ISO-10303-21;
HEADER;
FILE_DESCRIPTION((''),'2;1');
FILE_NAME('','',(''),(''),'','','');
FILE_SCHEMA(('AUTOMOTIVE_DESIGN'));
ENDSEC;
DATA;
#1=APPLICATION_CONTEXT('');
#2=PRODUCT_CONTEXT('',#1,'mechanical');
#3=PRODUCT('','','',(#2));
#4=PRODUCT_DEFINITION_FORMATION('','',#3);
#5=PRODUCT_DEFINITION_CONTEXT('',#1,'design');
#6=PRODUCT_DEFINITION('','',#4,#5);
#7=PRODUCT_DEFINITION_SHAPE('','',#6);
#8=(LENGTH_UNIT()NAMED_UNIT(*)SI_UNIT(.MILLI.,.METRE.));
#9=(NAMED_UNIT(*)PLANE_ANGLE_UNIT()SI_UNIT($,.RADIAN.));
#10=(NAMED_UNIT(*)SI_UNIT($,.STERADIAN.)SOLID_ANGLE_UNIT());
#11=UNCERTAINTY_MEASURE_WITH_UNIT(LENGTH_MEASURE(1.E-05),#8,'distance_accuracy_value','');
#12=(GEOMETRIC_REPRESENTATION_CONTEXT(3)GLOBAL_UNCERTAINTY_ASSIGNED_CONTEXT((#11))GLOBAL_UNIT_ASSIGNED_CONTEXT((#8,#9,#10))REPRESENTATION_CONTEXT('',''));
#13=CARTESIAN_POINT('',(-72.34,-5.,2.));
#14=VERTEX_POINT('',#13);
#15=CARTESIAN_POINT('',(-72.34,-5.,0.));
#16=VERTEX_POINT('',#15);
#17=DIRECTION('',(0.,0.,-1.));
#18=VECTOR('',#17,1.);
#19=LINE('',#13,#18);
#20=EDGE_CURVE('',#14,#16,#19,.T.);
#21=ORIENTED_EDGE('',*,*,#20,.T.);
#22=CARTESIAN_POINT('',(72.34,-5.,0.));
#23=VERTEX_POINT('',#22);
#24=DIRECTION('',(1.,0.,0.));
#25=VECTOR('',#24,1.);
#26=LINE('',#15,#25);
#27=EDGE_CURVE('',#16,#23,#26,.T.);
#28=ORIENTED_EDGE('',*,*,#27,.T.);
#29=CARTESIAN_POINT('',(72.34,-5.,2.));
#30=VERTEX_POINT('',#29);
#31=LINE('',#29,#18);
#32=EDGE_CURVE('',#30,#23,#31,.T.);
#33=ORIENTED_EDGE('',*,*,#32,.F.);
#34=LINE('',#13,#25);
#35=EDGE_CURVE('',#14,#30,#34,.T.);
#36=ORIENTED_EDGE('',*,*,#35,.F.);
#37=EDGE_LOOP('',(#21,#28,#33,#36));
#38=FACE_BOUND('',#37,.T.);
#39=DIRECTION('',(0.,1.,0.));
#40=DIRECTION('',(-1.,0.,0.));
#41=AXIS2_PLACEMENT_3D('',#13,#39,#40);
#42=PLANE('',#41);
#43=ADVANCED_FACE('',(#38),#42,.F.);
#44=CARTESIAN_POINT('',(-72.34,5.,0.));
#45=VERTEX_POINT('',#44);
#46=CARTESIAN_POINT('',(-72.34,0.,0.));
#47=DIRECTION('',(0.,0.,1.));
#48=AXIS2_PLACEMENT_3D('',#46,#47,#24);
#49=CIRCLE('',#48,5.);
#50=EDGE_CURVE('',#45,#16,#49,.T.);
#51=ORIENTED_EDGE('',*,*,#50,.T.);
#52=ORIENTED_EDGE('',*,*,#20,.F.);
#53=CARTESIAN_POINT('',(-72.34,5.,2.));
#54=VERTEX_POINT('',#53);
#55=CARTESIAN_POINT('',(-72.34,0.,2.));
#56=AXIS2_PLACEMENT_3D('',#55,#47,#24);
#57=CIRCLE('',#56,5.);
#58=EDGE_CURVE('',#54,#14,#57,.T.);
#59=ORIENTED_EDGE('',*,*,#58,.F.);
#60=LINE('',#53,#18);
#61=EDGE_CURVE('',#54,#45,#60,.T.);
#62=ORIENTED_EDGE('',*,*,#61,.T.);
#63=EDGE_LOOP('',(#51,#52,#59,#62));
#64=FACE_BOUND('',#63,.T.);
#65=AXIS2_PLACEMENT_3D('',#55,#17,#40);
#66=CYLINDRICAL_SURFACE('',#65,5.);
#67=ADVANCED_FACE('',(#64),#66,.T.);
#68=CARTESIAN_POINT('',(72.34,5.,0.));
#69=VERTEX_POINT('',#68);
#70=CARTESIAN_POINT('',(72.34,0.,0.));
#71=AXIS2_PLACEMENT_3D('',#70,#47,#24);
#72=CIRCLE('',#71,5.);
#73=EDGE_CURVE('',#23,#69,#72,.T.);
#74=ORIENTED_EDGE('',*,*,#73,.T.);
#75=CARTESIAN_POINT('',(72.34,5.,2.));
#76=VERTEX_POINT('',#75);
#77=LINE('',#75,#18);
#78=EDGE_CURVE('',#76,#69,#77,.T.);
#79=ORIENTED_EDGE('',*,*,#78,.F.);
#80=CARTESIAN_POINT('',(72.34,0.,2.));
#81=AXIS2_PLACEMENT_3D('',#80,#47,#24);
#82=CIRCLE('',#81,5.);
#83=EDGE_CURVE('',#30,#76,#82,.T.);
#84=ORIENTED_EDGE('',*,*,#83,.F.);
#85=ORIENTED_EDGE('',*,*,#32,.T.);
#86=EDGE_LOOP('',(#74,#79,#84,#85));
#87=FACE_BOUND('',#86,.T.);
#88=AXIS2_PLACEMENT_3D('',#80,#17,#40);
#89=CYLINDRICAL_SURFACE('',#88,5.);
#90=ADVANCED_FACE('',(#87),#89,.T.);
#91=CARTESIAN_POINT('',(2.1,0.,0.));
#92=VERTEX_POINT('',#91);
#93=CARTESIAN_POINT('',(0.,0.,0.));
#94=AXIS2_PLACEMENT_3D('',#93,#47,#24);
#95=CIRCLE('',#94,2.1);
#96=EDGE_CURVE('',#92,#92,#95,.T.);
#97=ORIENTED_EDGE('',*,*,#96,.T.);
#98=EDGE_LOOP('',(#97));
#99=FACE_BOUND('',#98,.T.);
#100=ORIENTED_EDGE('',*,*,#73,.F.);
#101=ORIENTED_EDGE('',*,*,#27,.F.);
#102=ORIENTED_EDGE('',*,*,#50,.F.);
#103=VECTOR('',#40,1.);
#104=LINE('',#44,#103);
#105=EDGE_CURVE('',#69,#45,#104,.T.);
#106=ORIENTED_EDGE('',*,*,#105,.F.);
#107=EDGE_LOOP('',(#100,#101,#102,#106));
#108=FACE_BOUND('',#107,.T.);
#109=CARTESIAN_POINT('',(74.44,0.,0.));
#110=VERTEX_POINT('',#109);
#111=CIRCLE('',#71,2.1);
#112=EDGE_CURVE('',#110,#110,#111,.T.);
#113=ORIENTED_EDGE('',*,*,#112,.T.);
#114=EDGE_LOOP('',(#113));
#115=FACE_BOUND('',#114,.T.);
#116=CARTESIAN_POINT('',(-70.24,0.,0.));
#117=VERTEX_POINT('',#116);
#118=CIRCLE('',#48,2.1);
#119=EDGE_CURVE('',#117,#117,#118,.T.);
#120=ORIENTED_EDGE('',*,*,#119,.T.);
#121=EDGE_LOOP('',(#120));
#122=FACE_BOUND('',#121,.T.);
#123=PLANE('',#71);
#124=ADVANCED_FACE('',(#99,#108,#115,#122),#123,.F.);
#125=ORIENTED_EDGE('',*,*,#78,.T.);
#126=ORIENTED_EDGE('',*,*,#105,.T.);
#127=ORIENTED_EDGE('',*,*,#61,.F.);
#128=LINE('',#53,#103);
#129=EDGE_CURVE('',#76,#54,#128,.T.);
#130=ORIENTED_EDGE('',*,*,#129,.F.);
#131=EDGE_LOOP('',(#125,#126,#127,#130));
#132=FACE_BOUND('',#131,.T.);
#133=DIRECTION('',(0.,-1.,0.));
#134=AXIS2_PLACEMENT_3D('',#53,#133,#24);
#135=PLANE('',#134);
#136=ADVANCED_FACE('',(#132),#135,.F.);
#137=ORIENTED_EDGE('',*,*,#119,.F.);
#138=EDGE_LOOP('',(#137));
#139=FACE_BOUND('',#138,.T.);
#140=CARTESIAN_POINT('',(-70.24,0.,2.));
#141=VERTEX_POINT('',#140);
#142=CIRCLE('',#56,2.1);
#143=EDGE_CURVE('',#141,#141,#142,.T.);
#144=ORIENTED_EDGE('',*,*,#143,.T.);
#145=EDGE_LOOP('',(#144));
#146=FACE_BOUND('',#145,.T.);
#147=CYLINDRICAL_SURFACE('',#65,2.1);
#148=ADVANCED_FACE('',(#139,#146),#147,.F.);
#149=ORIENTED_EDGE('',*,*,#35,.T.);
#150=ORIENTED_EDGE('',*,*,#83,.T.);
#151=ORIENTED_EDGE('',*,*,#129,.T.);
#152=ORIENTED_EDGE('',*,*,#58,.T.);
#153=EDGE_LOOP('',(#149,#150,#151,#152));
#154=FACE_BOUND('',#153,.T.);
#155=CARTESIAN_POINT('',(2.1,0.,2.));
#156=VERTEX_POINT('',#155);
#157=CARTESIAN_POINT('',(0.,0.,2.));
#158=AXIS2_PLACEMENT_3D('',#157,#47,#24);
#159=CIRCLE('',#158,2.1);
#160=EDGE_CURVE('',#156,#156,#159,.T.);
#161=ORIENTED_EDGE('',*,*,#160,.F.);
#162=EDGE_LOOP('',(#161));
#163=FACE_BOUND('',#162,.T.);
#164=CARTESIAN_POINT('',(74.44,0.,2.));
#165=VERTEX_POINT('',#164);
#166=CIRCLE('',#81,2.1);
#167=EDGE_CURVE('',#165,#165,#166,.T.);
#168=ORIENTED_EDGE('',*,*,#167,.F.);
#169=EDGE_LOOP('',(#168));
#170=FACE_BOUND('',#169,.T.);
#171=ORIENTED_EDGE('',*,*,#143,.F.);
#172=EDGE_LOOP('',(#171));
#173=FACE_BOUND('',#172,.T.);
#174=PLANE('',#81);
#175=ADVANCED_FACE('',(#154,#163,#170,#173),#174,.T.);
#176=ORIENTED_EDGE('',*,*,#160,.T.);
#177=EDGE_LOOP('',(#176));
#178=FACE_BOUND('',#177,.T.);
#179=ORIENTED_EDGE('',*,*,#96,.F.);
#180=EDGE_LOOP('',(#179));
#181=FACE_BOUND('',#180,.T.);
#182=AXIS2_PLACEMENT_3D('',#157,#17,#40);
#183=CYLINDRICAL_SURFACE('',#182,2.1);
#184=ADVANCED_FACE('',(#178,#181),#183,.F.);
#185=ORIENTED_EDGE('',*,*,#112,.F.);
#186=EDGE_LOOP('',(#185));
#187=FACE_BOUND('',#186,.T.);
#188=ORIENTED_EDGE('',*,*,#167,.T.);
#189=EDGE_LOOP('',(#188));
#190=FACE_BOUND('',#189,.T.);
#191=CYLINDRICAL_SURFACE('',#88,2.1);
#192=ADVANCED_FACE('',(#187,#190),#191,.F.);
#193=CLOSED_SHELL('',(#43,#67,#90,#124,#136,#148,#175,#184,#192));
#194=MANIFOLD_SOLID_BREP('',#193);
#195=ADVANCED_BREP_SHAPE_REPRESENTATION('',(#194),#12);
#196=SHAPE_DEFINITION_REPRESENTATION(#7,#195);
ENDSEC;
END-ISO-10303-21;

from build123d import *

# Parameters (mm, degrees)
SKIZZE2_R                       = 2.1
AUFSATZ_LINEAR_AUSTRAGEN1_DEPTH = 2


with BuildPart() as part:
    # Skizze2 → Aufsatz-Linear austragen1 (new body)
    with BuildSketch(Plane.XY):
        with BuildLine():
            Line((-72.34, 5), (72.34, 5))
            ThreePointArc((72.34, 5), (77.34, 0), (72.34, -5))
            Line((72.34, -5), (-72.34, -5))
            ThreePointArc((-72.34, -5), (-77.34, 0), (-72.34, 5))
        make_face()
        with Locations((-72.34, 0)):
            Circle(SKIZZE2_R, mode=Mode.SUBTRACT)
        with Locations((72.34, 0)):
            Circle(SKIZZE2_R, mode=Mode.SUBTRACT)
        Circle(SKIZZE2_R, mode=Mode.SUBTRACT)
    extrude(amount=AUFSATZ_LINEAR_AUSTRAGEN1_DEPTH)


solid = part.part
